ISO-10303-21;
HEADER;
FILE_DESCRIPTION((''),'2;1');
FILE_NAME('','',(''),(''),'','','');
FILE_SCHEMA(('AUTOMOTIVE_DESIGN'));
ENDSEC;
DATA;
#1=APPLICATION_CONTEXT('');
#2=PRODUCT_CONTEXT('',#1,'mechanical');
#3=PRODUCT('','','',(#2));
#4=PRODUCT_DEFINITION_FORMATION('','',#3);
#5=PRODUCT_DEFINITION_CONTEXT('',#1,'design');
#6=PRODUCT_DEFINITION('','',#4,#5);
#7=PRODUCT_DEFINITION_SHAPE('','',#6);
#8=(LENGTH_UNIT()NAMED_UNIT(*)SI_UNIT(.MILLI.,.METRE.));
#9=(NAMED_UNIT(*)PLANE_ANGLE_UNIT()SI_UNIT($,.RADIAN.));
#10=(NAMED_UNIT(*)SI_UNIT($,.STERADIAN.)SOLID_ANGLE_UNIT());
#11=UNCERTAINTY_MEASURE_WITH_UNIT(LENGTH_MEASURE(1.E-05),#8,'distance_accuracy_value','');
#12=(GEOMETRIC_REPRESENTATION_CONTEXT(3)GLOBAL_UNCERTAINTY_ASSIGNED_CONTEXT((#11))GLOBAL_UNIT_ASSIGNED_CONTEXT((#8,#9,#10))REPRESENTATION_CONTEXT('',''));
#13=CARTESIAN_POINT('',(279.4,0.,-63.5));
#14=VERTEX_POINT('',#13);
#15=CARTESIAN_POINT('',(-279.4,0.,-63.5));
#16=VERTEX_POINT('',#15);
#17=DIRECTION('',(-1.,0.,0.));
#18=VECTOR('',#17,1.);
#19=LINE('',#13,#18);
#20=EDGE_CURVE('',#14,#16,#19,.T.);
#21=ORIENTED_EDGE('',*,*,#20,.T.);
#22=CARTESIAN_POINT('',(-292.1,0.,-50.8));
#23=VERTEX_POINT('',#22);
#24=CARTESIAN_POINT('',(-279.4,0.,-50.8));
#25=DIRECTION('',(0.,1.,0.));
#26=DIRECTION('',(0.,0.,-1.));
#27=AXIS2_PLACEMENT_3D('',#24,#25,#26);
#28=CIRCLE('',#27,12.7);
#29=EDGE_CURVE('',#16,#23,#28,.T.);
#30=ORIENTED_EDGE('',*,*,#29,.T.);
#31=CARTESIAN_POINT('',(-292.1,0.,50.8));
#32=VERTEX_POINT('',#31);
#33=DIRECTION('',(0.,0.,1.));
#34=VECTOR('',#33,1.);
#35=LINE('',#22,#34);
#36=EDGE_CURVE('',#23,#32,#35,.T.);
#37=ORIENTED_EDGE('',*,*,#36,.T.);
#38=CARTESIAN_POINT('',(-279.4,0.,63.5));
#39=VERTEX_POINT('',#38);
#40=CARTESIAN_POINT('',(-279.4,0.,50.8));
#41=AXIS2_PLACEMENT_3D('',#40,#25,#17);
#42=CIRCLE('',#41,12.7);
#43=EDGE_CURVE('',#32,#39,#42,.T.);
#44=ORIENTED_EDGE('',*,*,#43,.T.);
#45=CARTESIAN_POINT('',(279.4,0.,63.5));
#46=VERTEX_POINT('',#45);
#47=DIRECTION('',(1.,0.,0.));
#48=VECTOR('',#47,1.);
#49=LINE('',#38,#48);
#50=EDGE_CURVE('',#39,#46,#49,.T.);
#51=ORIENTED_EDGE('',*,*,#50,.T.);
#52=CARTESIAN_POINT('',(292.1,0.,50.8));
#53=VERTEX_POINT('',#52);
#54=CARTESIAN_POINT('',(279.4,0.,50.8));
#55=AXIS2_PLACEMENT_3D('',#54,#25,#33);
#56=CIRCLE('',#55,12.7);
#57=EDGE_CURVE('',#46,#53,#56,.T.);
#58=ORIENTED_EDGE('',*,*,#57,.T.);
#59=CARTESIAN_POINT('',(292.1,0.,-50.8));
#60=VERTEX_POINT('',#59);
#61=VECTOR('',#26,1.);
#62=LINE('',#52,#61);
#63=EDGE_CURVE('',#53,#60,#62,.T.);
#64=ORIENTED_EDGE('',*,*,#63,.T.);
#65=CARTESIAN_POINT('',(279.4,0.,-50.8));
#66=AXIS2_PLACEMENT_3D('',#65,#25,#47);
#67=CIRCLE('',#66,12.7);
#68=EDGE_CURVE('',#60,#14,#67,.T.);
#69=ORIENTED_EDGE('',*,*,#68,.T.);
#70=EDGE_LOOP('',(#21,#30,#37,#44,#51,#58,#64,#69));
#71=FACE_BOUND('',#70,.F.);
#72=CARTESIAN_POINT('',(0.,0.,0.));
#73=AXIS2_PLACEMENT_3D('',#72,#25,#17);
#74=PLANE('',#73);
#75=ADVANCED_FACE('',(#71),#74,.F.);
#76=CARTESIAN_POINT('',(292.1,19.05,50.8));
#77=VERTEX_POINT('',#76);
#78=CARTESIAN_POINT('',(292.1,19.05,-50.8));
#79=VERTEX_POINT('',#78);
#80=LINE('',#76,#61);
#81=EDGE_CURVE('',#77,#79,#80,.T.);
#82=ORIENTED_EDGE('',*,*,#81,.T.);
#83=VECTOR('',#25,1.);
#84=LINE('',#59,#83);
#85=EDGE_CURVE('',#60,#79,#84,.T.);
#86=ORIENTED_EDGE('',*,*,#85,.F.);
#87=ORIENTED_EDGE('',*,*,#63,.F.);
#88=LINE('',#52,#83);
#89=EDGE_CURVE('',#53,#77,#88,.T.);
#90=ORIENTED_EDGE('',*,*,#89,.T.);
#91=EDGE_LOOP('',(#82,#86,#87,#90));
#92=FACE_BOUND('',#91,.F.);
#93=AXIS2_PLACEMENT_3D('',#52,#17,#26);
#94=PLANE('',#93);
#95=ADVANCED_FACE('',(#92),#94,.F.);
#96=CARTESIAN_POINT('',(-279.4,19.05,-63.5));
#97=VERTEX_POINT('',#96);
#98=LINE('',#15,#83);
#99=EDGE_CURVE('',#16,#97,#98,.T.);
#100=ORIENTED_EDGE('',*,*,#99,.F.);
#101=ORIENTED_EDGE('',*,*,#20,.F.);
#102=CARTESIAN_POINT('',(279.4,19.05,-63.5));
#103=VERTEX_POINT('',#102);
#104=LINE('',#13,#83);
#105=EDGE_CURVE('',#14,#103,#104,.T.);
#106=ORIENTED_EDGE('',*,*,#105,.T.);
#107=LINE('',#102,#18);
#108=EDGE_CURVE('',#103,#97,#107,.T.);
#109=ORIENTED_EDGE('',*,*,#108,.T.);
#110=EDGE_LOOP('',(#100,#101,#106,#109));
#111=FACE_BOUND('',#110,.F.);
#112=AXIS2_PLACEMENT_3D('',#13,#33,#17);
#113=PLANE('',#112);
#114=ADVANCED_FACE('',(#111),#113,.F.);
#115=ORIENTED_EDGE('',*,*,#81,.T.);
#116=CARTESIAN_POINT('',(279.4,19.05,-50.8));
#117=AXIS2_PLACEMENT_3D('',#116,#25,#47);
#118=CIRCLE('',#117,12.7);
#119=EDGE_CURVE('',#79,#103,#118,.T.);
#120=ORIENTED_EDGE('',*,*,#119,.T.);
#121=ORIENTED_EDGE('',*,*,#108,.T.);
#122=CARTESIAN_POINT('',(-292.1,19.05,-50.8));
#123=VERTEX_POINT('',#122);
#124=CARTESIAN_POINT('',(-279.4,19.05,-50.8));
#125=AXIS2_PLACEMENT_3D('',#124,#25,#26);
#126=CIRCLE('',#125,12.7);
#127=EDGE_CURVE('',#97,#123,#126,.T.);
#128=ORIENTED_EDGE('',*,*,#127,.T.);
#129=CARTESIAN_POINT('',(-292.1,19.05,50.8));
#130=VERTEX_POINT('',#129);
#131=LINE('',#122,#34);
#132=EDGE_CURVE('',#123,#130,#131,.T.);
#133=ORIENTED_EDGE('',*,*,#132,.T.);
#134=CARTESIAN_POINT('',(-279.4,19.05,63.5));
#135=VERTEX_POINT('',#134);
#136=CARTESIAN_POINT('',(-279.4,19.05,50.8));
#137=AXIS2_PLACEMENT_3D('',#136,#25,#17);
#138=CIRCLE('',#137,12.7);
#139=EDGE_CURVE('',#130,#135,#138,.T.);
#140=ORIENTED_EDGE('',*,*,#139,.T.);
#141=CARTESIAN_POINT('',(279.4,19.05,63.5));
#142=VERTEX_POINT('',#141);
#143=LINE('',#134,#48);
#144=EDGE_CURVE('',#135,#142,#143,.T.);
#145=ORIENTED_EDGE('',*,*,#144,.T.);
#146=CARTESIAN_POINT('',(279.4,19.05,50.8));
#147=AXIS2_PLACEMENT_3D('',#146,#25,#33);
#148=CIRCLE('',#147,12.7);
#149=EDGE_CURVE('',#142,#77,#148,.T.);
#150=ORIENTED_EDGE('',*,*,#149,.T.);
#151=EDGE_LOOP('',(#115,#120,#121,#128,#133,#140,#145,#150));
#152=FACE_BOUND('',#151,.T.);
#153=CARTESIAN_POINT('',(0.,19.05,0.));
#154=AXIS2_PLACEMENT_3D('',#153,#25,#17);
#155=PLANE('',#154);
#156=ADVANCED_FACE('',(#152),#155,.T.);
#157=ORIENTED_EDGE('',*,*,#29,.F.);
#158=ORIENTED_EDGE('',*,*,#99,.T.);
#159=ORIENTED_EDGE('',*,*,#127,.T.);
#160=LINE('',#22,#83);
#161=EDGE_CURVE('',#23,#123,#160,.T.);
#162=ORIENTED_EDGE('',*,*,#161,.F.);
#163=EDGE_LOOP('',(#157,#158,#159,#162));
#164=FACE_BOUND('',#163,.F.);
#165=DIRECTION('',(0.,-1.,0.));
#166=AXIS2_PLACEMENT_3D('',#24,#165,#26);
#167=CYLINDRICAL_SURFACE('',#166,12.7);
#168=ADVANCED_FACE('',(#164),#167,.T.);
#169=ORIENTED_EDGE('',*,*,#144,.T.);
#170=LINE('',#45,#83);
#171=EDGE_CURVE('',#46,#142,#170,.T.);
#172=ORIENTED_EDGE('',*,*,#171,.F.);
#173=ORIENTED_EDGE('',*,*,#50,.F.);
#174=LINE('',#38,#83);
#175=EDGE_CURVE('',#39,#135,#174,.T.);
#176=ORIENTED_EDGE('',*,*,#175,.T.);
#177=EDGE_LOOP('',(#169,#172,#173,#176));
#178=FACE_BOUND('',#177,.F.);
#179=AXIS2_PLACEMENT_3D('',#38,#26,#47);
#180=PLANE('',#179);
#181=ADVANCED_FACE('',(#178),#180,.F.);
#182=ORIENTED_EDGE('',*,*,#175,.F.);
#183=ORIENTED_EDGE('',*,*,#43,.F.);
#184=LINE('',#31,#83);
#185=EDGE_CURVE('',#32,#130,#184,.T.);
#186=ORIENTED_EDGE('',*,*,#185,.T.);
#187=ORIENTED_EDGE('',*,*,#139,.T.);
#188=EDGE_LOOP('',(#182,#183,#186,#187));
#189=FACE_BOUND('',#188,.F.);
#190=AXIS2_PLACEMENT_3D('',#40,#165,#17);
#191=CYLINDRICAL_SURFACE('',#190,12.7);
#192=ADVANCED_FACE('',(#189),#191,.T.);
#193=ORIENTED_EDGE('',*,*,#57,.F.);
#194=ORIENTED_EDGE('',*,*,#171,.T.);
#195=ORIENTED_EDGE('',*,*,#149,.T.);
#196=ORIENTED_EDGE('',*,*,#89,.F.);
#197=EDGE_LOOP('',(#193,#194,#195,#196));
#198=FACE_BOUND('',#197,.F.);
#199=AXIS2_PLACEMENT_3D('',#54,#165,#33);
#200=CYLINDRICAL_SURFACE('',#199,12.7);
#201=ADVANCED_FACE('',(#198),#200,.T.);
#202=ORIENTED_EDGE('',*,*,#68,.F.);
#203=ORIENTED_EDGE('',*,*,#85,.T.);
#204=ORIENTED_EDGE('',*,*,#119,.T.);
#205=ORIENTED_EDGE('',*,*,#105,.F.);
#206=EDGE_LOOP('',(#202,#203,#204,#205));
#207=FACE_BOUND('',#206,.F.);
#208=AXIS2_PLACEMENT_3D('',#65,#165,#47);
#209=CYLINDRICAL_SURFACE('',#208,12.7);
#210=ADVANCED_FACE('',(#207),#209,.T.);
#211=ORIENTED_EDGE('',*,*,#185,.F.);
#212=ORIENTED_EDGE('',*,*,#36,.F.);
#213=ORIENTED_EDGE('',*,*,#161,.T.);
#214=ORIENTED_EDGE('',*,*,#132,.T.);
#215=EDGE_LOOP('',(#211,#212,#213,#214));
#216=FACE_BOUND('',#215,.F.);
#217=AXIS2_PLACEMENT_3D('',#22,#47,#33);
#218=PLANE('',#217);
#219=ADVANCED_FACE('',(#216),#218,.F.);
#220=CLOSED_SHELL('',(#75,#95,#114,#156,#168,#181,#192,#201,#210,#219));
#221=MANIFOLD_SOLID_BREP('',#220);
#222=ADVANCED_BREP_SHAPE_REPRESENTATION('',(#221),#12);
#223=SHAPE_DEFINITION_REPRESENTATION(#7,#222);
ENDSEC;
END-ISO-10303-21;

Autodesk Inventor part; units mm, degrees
ref_plane "YZ Plane" through (0, 0, 0) normal (1, 0, 0) x (0, 1, 0)
ref_plane "XZ Plane" through (0, 0, 0) normal (0, 1, 0) x (-1, 0, 0)
ref_plane "XY Plane" through (0, 0, 0) normal (0, 0, 1) x (1, 0, 0)
sketch "Sketch1" plane through (0, 0, 0) normal (0, 1, 0) x (-1, 0, 0)
  line L0 (279.4, 63.5) -> (-279.4, 63.5)
  line L1 (-292.1, 50.8) -> (-292.1, -50.8)
  line L2 (-279.4, -63.5) -> (279.4, -63.5)
  line L3 (292.1, -50.8) -> (292.1, 50.8)
  line L4 (292.1, 63.5) -> (-292.1, -63.5) construction
  line L5 (-292.1, 63.5) -> (292.1, -63.5) construction
  arc A0 (279.4, -63.5) -> (292.1, -50.8) centre (279.4, -50.8) ccw
  arc A1 (292.1, 50.8) -> (279.4, 63.5) centre (279.4, 50.8) ccw
  arc A2 (-279.4, 63.5) -> (-292.1, 50.8) centre (-279.4, 50.8) ccw
  arc A3 (-292.1, -50.8) -> (-279.4, -63.5) centre (-279.4, -50.8) ccw
  point P0 (0, 0)
  dimension "d0" = 584.2
  dimension "d1" = 127
  dimension "d2" = 12.7
extrude "Extrusion1" add sketch "Sketch1" along normal blind 19.05
properties part number "BumperWoodShort"
